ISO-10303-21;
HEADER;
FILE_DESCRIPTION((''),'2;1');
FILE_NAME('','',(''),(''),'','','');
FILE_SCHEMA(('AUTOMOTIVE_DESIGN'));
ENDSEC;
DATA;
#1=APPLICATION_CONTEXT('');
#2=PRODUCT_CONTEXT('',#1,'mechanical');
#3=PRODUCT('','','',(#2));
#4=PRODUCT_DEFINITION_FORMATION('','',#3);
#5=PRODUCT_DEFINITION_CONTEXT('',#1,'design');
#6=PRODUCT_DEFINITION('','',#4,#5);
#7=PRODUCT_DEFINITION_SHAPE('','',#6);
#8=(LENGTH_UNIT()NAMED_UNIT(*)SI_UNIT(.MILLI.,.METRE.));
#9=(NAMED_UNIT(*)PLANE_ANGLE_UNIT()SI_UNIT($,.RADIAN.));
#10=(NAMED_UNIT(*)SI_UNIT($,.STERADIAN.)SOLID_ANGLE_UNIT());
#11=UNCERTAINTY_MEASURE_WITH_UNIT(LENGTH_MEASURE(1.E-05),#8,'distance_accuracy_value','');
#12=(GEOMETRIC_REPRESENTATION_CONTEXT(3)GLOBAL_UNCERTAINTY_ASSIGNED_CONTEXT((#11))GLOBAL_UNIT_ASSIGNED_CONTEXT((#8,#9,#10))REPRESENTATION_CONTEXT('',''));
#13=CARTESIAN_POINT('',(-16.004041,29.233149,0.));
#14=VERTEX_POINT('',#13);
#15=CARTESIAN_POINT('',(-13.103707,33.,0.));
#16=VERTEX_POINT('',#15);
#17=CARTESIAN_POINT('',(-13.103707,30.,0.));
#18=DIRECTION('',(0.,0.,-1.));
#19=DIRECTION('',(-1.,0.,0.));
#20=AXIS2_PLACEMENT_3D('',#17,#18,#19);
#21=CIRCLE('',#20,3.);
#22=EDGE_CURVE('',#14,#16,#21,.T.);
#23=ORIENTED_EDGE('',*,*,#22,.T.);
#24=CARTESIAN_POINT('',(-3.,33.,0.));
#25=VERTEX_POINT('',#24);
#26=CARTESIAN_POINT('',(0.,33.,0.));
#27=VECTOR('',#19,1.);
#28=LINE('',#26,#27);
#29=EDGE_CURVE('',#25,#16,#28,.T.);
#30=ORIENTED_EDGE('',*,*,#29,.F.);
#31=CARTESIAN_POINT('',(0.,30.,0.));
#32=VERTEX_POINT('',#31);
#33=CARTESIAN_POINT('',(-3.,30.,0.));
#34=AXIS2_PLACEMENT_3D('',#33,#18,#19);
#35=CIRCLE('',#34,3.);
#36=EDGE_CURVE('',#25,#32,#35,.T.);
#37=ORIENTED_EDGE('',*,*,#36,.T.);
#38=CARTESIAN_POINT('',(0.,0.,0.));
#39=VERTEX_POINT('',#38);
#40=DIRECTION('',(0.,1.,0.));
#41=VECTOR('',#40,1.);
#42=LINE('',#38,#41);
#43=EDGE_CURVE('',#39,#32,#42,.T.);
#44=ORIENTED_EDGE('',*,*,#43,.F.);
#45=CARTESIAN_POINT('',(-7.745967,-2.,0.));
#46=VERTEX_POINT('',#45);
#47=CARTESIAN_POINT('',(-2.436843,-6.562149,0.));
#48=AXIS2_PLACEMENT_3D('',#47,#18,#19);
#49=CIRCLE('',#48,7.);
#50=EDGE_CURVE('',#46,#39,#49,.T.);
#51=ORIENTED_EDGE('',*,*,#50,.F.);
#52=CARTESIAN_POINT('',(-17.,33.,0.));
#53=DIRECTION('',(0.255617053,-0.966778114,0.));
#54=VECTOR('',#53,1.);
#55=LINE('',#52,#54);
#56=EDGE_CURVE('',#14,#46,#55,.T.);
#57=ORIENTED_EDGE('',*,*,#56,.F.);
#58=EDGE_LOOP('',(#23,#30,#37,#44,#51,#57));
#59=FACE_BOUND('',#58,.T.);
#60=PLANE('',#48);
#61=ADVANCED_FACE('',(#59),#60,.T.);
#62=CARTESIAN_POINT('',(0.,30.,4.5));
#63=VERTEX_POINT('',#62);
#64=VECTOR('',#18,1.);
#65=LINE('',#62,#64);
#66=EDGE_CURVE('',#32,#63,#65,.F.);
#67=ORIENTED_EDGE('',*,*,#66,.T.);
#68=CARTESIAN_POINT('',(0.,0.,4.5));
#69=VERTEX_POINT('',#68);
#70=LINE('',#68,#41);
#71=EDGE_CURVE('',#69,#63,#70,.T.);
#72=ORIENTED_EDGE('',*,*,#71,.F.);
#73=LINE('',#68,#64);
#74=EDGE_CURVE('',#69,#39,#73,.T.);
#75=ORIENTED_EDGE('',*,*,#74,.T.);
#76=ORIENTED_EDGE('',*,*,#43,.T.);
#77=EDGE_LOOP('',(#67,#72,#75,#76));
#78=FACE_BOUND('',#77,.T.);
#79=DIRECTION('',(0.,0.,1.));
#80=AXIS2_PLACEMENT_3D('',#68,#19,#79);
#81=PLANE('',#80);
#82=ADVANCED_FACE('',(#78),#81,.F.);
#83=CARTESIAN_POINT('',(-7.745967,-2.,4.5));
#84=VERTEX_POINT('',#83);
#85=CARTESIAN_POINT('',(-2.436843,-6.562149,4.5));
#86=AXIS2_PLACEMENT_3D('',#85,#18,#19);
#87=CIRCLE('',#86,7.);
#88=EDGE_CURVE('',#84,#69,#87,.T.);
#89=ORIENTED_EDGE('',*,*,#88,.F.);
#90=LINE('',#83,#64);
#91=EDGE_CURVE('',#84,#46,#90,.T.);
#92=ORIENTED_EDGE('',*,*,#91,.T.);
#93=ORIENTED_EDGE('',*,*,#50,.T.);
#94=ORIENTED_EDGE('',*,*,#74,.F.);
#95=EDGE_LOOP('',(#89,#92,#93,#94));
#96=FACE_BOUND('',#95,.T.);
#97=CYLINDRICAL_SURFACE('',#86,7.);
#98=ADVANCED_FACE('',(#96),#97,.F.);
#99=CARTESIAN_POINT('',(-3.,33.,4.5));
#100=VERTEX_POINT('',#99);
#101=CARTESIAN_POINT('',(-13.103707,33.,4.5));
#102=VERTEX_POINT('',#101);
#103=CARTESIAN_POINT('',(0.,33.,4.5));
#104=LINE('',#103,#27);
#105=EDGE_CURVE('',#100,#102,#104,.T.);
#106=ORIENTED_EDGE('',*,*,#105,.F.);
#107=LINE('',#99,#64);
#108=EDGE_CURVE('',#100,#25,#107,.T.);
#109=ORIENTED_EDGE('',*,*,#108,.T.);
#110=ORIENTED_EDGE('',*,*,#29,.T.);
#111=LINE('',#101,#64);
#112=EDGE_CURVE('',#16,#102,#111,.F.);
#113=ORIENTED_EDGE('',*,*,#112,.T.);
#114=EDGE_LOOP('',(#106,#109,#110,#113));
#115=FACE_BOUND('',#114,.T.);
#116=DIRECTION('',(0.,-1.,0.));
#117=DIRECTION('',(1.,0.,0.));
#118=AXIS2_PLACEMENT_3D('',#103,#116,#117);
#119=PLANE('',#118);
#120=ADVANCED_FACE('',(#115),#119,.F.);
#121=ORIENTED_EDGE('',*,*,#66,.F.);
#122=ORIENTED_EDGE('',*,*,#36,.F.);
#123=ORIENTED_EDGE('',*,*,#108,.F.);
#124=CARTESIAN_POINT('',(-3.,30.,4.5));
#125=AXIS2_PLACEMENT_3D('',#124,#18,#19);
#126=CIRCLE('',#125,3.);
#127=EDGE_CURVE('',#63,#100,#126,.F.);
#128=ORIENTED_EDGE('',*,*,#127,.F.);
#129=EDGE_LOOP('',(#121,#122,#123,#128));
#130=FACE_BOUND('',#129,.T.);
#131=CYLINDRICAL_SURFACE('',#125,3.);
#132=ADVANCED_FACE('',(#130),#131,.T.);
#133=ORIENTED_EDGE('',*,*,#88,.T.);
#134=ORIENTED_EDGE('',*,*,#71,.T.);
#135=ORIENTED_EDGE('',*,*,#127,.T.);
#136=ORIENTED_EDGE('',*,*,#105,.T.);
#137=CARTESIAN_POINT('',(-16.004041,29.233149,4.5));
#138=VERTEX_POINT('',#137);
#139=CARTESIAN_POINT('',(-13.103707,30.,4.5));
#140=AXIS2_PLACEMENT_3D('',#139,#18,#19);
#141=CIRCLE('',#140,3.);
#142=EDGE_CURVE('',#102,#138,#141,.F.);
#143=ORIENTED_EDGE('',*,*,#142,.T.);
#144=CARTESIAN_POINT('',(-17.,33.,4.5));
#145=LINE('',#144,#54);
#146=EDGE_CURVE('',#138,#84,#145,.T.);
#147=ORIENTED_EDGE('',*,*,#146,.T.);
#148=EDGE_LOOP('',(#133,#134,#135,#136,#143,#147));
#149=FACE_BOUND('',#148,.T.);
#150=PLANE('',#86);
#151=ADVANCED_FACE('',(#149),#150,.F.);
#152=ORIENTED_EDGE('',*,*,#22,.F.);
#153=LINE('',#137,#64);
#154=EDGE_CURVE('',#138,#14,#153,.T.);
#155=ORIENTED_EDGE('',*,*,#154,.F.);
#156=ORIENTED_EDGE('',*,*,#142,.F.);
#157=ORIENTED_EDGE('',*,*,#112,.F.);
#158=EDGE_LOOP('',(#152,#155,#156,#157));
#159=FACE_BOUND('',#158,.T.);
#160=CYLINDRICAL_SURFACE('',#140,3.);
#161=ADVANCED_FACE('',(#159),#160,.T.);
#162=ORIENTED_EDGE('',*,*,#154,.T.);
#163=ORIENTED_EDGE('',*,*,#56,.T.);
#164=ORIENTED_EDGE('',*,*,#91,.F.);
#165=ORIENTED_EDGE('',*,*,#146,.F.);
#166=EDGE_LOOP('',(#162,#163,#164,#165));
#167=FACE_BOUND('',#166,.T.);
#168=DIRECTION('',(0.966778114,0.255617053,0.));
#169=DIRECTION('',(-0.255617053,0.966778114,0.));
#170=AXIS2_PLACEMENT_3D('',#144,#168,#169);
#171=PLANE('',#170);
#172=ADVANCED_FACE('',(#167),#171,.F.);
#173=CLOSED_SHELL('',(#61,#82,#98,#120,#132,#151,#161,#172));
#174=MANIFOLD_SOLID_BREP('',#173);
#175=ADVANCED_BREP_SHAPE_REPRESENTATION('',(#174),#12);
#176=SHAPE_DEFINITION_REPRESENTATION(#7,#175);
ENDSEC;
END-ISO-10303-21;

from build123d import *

# Parameters (mm, degrees)
BOSS_EXTRU_1_DEPTH = 4.5
CONG_8_R           = 3
CONG_9_R           = 3


with BuildPart() as part:
    # Esquisse1 → Boss.-Extru.1 (new body)
    with BuildSketch(Plane.XY):
        with BuildLine():
            Line((0, 0), (0, 33))
            Line((0, 33), (-17, 33))
            Line((-17, 33), (-7.745966692, -2))
            ThreePointArc((-7.745966692, -2), (-4.186842685, 0.215571991), (0, 0))
        make_face()
    extrude(amount=BOSS_EXTRU_1_DEPTH)

    # Congé8
    cong_8_edges = [part.edges().sort_by_distance(p)[0] for p in [
        (-17, 33, 2.25),
    ]]
    fillet(cong_8_edges, radius=CONG_8_R)

    # Congé9
    cong_9_edges = [part.edges().sort_by_distance(p)[0] for p in [
        (0, 33, 2.25),
    ]]
    fillet(cong_9_edges, radius=CONG_9_R)


solid = part.part
